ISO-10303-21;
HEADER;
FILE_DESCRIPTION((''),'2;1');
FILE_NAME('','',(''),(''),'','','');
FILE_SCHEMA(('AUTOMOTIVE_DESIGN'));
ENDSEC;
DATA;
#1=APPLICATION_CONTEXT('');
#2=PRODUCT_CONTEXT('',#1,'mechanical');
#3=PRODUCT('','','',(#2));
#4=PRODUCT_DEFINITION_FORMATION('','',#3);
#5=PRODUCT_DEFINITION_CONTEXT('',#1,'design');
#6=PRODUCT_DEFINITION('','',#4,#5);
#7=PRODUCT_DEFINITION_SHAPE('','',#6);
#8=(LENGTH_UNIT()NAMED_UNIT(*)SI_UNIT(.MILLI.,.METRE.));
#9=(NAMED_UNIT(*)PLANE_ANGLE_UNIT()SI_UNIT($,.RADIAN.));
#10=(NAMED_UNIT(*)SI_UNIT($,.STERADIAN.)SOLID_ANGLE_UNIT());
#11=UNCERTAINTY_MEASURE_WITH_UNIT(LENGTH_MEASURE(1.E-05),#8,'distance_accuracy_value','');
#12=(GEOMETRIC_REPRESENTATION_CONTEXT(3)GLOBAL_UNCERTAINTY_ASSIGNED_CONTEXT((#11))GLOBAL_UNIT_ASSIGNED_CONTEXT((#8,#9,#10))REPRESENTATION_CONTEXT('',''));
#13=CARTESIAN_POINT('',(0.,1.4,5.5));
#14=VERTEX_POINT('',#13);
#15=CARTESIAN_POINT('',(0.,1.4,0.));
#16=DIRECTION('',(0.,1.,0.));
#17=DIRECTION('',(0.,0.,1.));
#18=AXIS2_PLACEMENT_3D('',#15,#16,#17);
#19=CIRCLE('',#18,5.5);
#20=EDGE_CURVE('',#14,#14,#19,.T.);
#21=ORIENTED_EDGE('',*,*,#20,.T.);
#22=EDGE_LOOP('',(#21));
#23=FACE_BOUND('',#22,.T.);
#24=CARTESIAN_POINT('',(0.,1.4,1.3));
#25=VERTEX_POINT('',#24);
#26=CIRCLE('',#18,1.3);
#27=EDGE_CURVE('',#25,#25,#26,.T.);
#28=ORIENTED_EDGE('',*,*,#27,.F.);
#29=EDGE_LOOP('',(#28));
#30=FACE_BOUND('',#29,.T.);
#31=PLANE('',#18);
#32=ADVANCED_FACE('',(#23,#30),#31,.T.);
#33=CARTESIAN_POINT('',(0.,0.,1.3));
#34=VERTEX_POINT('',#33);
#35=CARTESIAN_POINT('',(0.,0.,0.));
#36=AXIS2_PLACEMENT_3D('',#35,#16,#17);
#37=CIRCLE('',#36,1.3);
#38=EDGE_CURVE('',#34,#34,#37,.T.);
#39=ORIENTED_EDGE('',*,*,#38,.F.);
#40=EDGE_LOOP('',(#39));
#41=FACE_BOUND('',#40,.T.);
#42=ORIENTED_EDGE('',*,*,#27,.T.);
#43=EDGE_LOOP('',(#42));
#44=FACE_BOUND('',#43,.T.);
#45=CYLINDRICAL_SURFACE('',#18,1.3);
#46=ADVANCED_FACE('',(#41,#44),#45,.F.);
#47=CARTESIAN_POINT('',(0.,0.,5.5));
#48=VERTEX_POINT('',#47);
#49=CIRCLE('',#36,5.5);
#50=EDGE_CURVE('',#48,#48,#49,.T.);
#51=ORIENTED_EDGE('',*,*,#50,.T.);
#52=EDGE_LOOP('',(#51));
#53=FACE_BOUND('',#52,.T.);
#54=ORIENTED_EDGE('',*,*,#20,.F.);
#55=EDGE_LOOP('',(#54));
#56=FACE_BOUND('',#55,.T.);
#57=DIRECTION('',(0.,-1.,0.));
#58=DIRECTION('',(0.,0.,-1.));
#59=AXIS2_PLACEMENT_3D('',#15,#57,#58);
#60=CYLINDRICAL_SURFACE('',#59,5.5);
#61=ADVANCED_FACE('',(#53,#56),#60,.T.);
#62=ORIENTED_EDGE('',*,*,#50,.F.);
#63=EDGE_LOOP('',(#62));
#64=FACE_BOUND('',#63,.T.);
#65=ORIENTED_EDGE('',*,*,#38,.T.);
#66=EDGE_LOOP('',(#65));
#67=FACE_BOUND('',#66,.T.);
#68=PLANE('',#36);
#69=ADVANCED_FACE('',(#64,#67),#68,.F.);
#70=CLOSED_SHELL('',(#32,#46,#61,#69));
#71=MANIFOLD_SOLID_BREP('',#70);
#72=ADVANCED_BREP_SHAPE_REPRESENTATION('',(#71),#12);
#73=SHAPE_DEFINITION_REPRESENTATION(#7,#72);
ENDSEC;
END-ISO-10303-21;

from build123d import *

# Parameters (mm, degrees)
SKETCH_1_R             = 5.5
EXTRUDE_1_DEPTH        = 1.4
HOLE_WIZARD_M2_1_D     = 2.6
HOLE_WIZARD_M2_1_DEPTH = 4
HOLE_WIZARD_M2_1_TIP   = 0.781118805


with BuildPart() as part:
    # 스케치1 → 보스-돌출1 (new body)
    with BuildSketch(Plane(origin=(0, 0, 0), x_dir=(1, 0, 0), z_dir=(0, 1, 0))):
        with Locations(Location((0, 0, 0), (0, 0, 270))):
            Circle(SKETCH_1_R)
    extrude(amount=EXTRUDE_1_DEPTH)

    # M2 여유 구멍1
    with Locations(Plane(origin=(0, 1.4, 0), x_dir=(1, 0, 0), z_dir=(0, 1, 0))):
        with Locations((0, 0)):
            Hole(HOLE_WIZARD_M2_1_D / 2, depth=HOLE_WIZARD_M2_1_DEPTH)
            with Locations((0, 0, -(HOLE_WIZARD_M2_1_DEPTH + HOLE_WIZARD_M2_1_TIP / 2))):  # 118° drill point
                Cone(0, HOLE_WIZARD_M2_1_D / 2, HOLE_WIZARD_M2_1_TIP, mode=Mode.SUBTRACT)


solid = part.part
